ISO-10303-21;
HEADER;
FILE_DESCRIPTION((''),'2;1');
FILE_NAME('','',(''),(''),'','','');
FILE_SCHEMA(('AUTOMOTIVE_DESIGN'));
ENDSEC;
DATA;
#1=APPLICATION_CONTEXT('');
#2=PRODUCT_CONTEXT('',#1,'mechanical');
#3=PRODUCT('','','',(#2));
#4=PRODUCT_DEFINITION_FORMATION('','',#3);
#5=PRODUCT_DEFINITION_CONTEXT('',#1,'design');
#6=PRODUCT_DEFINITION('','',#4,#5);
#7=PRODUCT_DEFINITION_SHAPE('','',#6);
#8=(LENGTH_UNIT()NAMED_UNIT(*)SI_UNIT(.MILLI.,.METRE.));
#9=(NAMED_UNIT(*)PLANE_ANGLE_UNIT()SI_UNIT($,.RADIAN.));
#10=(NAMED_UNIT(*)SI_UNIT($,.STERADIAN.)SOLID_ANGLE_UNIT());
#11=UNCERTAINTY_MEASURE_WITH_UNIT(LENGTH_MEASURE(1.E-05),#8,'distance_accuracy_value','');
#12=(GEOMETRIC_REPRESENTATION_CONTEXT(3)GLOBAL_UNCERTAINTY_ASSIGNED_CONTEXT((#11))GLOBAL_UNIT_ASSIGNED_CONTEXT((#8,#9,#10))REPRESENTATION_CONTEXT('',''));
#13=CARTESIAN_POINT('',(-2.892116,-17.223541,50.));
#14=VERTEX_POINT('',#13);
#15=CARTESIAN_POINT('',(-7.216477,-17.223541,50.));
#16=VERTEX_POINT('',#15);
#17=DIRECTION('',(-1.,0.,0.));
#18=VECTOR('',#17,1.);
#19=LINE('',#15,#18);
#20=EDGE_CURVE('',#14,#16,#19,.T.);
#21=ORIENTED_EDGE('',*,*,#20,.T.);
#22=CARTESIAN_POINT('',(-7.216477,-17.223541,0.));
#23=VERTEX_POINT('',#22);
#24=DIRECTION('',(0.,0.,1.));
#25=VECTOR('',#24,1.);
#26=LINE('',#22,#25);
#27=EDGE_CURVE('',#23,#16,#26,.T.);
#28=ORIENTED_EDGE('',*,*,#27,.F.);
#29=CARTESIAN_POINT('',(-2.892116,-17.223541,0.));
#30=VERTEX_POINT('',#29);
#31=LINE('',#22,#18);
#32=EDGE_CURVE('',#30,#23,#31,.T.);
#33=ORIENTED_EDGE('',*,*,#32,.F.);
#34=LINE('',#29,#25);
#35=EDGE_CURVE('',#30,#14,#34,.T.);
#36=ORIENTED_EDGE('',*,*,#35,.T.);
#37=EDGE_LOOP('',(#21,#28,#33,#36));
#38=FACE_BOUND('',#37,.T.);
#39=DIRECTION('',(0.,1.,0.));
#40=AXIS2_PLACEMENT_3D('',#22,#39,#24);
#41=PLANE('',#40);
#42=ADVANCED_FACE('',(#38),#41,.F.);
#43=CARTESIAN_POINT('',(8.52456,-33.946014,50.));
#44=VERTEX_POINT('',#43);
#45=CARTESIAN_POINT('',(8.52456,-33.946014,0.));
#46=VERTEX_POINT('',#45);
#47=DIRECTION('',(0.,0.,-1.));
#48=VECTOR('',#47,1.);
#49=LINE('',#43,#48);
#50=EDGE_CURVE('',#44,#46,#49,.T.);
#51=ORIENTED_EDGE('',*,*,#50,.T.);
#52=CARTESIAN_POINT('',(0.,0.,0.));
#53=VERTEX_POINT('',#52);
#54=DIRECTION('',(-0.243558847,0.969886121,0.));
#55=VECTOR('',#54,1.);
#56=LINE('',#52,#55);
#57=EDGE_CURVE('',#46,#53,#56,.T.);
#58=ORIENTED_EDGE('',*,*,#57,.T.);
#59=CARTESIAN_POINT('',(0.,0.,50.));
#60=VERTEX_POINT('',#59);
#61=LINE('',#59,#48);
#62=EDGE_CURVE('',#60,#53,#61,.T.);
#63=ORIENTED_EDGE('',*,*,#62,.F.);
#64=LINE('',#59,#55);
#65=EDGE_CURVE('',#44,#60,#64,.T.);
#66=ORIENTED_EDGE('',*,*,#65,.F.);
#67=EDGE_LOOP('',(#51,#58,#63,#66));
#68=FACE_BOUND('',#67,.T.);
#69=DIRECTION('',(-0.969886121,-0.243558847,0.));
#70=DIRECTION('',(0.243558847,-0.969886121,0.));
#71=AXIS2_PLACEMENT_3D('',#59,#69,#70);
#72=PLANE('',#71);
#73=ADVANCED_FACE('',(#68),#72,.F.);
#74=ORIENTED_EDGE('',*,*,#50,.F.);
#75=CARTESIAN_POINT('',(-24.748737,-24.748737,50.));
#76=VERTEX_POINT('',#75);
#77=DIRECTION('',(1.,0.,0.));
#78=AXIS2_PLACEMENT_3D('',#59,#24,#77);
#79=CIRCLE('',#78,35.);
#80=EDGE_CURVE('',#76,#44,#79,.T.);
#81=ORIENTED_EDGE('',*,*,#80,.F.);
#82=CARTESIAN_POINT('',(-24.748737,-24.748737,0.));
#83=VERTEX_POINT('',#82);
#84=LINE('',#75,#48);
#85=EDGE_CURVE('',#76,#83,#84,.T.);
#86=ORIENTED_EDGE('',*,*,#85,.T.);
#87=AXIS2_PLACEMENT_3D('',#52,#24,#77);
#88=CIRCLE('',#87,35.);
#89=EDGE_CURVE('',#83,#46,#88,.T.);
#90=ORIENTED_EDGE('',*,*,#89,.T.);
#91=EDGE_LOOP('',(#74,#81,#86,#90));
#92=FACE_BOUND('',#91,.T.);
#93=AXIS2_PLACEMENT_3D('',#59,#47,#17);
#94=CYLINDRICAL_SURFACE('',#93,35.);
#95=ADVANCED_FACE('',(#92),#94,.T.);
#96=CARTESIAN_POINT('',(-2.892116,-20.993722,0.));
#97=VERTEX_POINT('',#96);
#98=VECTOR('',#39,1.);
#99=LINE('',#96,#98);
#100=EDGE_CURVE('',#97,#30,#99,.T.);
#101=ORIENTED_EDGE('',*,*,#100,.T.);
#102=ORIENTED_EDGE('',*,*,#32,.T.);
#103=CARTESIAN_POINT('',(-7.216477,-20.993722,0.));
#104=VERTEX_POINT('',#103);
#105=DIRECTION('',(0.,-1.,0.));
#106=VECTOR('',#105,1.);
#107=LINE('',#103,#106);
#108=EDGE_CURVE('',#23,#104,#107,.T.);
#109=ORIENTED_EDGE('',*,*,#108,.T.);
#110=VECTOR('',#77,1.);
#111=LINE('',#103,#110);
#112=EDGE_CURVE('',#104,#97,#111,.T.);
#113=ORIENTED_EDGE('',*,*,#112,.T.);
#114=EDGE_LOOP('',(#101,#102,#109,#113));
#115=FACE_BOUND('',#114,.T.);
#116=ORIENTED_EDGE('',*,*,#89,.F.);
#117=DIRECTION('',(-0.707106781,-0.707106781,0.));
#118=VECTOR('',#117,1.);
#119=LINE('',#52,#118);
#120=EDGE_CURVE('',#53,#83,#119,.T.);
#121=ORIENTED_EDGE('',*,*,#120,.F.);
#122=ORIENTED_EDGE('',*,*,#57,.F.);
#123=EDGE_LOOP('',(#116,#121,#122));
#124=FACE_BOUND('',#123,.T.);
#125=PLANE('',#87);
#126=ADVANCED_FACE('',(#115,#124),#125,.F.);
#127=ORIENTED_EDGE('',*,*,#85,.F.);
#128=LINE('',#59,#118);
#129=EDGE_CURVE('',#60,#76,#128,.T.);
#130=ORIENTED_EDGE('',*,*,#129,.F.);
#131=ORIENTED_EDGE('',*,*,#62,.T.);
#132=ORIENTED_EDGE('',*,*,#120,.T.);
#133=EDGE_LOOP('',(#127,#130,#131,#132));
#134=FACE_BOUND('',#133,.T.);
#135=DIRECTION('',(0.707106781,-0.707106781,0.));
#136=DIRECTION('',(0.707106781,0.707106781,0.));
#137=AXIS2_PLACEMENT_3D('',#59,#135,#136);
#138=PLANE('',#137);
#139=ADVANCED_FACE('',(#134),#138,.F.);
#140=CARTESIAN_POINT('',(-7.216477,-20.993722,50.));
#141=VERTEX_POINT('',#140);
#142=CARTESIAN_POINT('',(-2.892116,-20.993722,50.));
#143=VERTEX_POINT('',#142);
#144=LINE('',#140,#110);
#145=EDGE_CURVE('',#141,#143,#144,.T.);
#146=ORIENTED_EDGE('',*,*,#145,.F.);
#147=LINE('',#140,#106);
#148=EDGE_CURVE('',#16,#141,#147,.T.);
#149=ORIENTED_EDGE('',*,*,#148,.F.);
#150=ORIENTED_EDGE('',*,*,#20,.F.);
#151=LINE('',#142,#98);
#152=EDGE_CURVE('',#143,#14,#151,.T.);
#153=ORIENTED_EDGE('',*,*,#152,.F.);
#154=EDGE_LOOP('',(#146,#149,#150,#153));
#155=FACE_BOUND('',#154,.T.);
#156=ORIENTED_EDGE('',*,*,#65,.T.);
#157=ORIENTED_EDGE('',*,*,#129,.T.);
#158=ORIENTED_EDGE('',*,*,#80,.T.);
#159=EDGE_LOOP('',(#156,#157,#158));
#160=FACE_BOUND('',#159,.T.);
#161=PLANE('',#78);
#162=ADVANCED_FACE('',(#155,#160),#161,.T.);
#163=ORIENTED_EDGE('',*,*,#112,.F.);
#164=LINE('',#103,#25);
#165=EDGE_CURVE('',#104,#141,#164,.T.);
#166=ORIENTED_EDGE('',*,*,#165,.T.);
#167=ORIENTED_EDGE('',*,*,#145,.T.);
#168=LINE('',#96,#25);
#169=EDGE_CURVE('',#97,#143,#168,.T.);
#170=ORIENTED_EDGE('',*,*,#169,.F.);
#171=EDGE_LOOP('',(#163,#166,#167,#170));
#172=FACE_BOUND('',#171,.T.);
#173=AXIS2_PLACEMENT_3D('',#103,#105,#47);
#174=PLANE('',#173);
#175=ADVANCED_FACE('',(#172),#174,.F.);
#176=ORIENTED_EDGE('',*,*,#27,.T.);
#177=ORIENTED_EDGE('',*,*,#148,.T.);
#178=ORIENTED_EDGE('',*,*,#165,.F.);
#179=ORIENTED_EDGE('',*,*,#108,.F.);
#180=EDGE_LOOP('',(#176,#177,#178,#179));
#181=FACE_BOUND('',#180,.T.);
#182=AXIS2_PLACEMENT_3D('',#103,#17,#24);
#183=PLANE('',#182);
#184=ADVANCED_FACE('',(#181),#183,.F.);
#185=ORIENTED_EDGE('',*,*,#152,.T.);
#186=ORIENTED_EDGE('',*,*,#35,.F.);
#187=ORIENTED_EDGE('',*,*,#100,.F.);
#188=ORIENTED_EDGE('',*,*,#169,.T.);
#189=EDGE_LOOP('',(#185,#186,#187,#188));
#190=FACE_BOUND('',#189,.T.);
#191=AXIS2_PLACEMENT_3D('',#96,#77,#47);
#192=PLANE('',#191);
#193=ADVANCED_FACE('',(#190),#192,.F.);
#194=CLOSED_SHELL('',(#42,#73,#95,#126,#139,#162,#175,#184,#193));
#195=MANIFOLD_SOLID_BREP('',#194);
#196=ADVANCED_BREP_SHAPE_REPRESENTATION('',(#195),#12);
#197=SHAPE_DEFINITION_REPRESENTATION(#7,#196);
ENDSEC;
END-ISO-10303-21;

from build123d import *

# Parameters (mm, degrees)
IZIM1_R                     = 1.5
Y_KSEKLIK_EKSTR_ZYON1_DEPTH = 50
IZIM2_W                     = 4.324361658
IZIM2_H                     = 3.770180851
KES_EKSTR_ZYON1_DEPTH       = 50


with BuildPart() as part:
    # Çizim1 → Yükseklik-Ekstrüzyon1 (new body)
    with BuildSketch(Plane.XY):
        with BuildLine():
            Line((0, 0), (-24.748737342, -24.748737342))
            ThreePointArc((-24.748737342, -24.748737342), (-9.324883978, -33.734945365), (8.524559631, -33.946014245))
            Line((8.524559631, -33.946014245), (0, 0))
        make_face()
        with Locations((-5.054296408, -19.108631106)):
            Circle(IZIM1_R, mode=Mode.SUBTRACT)
    extrude(amount=Y_KSEKLIK_EKSTR_ZYON1_DEPTH)

    # Çizim2 → Kes-Ekstrüzyon1 (cut)
    with BuildSketch(Plane.XY.offset(50)):
        with Locations((-5.054296408, -19.108631106)):
            Rectangle(IZIM2_W, IZIM2_H)
    extrude(amount=-KES_EKSTR_ZYON1_DEPTH, mode=Mode.SUBTRACT)


solid = part.part
